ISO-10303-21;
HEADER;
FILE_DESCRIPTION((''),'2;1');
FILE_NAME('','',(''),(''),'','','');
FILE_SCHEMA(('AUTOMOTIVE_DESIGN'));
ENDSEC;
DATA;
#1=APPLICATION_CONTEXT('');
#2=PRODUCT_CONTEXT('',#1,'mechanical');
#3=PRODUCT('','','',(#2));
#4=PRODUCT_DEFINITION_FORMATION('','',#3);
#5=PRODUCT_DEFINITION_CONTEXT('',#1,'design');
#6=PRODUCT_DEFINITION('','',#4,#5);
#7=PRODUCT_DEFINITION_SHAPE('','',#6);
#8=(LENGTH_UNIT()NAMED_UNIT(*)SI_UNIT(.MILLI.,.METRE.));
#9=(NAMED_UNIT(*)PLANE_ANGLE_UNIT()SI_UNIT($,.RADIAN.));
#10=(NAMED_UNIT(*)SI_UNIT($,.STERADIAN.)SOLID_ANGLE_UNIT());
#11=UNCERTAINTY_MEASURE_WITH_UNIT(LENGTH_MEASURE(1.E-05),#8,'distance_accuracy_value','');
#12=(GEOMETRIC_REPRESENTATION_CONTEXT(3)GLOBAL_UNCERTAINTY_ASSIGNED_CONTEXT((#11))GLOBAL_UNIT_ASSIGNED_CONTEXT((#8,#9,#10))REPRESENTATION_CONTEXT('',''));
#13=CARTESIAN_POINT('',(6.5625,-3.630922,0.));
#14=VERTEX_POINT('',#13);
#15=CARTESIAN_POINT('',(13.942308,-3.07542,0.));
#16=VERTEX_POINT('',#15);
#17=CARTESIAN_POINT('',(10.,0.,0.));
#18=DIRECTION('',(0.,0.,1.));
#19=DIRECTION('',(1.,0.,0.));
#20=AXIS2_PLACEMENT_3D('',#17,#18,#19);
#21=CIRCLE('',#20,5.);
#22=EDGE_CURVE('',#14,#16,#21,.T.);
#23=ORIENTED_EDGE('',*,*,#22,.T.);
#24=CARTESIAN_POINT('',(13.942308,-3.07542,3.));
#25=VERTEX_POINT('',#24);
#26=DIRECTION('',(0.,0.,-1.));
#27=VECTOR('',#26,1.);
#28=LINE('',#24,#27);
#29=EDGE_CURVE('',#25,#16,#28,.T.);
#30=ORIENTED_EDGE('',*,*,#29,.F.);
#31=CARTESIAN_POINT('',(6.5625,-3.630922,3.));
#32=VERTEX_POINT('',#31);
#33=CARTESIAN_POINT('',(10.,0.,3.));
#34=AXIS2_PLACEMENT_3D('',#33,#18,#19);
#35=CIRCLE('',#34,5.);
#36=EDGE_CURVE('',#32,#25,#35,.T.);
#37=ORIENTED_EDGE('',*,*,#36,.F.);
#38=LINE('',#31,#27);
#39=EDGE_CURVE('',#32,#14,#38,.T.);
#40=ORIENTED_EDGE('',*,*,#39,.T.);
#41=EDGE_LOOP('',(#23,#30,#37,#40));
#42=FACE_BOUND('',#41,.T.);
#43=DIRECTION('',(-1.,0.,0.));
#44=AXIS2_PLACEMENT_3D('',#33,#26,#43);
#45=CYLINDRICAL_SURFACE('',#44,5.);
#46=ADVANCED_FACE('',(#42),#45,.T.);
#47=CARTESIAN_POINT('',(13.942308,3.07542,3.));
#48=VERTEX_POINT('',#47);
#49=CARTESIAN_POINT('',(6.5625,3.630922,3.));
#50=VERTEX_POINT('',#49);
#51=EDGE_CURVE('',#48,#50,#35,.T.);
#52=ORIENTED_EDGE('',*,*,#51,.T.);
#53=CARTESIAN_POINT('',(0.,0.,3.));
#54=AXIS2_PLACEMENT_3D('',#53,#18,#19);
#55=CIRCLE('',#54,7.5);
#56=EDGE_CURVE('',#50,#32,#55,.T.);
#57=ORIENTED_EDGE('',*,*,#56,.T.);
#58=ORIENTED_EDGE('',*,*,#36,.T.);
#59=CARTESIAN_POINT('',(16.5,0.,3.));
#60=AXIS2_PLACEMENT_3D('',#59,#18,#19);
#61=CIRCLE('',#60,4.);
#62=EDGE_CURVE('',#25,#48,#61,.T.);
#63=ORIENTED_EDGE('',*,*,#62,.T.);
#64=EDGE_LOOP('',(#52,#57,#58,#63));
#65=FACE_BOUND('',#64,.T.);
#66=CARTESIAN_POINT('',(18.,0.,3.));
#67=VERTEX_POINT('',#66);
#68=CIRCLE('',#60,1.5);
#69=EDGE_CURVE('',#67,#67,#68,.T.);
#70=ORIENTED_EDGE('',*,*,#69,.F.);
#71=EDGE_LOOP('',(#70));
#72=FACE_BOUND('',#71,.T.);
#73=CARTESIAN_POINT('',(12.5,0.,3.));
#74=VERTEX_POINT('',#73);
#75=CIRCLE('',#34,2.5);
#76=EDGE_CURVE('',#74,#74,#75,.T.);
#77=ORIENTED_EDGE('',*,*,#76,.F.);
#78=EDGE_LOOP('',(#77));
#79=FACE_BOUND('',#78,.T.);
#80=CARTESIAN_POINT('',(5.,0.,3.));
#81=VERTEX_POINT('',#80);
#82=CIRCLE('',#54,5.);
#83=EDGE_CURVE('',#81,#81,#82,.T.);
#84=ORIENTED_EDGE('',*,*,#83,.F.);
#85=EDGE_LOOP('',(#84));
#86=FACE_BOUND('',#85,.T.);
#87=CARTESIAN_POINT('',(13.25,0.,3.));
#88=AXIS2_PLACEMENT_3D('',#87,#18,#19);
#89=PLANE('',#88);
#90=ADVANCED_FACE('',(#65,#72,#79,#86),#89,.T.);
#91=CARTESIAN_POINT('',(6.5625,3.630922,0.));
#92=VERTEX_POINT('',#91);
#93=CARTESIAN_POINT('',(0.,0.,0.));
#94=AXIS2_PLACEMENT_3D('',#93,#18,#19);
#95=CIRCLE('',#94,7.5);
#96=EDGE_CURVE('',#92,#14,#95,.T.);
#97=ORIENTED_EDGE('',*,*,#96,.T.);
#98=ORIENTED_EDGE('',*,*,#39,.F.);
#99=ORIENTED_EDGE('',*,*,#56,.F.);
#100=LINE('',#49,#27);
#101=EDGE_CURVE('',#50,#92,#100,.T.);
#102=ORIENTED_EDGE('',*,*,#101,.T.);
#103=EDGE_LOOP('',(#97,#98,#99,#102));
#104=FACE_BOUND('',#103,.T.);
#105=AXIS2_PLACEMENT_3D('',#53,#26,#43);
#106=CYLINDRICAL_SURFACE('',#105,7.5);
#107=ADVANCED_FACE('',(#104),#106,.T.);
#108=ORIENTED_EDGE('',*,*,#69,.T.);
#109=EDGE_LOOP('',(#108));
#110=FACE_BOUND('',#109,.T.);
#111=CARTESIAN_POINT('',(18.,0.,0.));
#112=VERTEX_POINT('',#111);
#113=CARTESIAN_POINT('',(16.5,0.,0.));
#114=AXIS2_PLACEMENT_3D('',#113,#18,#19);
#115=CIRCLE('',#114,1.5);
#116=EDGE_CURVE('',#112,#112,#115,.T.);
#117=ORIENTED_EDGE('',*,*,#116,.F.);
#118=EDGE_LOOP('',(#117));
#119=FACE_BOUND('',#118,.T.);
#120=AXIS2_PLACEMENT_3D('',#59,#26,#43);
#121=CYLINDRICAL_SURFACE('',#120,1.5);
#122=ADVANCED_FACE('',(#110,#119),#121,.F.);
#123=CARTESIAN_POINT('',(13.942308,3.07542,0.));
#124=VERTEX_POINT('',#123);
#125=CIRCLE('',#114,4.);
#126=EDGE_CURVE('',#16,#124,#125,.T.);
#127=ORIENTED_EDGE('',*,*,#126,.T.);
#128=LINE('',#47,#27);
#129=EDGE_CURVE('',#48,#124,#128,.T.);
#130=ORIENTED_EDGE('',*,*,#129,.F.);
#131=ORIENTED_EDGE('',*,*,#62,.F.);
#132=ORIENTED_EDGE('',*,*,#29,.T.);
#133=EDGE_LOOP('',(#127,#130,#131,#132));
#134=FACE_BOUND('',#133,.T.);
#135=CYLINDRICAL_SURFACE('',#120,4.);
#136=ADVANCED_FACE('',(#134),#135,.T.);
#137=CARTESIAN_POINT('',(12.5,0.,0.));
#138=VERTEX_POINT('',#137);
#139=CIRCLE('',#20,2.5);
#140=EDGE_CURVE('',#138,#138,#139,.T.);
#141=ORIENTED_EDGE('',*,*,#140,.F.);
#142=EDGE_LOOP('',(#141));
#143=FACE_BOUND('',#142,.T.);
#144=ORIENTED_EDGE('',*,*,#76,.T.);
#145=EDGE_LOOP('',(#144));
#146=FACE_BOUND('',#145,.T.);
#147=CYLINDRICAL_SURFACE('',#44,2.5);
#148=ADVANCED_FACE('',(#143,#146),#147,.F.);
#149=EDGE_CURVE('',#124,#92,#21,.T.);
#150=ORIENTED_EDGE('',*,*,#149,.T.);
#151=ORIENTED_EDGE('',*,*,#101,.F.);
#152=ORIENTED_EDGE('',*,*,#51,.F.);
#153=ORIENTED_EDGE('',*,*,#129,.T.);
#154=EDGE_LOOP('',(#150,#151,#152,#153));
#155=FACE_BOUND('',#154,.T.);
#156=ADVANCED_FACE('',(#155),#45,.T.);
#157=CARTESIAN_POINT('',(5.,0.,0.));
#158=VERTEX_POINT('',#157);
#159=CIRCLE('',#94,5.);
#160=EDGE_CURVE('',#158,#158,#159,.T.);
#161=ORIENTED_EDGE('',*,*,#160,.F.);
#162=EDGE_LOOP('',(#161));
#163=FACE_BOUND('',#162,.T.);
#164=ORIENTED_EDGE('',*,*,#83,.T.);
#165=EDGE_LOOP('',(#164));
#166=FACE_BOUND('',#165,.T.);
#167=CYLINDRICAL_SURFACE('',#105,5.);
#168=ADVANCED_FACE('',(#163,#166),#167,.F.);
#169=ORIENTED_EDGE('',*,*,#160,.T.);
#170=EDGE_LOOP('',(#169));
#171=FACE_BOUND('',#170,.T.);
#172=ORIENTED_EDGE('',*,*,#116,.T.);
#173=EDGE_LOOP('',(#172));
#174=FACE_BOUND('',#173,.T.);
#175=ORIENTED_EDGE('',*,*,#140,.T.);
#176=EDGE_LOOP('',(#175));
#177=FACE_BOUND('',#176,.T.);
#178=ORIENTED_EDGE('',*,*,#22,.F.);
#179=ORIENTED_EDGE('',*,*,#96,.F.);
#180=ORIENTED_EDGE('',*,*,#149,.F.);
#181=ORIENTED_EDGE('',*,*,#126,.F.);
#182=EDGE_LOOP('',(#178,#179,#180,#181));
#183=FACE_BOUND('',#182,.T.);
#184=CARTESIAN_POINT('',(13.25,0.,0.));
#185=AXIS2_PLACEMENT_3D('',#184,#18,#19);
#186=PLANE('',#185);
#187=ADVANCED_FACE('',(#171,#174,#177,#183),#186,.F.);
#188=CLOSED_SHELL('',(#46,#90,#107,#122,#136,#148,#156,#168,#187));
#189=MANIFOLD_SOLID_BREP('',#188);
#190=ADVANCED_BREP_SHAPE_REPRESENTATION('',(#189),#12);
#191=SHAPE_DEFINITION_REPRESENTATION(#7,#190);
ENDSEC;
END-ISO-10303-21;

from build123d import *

# Parameters (mm, degrees)
SKETCH1_R           = 5
SKETCH1_R_2         = 2.5
SKETCH1_R_3         = 1.5
BOSS_EXTRUDE1_DEPTH = 3


with BuildPart() as part:
    # Sketch1 → Boss-Extrude1 (new body)
    with BuildSketch(Plane.XY):
        with BuildLine():
            ThreePointArc((6.5625, 3.630921887), (-7.5, 0), (6.5625, -3.630921887))
            ThreePointArc((6.5625, -3.630921887), (10.375304148, -4.985894784), (13.942307692, -3.075420306))
            ThreePointArc((13.942307692, -3.075420306), (20.5, 0), (13.942307692, 3.075420306))
            ThreePointArc((13.942307692, 3.075420306), (10.375304148, 4.985894784), (6.5625, 3.630921887))
        make_face()
        Circle(SKETCH1_R, mode=Mode.SUBTRACT)
        with Locations((10, 0)):
            Circle(SKETCH1_R_2, mode=Mode.SUBTRACT)
        with Locations((16.5, 0)):
            Circle(SKETCH1_R_3, mode=Mode.SUBTRACT)
    extrude(amount=BOSS_EXTRUDE1_DEPTH)


solid = part.part
